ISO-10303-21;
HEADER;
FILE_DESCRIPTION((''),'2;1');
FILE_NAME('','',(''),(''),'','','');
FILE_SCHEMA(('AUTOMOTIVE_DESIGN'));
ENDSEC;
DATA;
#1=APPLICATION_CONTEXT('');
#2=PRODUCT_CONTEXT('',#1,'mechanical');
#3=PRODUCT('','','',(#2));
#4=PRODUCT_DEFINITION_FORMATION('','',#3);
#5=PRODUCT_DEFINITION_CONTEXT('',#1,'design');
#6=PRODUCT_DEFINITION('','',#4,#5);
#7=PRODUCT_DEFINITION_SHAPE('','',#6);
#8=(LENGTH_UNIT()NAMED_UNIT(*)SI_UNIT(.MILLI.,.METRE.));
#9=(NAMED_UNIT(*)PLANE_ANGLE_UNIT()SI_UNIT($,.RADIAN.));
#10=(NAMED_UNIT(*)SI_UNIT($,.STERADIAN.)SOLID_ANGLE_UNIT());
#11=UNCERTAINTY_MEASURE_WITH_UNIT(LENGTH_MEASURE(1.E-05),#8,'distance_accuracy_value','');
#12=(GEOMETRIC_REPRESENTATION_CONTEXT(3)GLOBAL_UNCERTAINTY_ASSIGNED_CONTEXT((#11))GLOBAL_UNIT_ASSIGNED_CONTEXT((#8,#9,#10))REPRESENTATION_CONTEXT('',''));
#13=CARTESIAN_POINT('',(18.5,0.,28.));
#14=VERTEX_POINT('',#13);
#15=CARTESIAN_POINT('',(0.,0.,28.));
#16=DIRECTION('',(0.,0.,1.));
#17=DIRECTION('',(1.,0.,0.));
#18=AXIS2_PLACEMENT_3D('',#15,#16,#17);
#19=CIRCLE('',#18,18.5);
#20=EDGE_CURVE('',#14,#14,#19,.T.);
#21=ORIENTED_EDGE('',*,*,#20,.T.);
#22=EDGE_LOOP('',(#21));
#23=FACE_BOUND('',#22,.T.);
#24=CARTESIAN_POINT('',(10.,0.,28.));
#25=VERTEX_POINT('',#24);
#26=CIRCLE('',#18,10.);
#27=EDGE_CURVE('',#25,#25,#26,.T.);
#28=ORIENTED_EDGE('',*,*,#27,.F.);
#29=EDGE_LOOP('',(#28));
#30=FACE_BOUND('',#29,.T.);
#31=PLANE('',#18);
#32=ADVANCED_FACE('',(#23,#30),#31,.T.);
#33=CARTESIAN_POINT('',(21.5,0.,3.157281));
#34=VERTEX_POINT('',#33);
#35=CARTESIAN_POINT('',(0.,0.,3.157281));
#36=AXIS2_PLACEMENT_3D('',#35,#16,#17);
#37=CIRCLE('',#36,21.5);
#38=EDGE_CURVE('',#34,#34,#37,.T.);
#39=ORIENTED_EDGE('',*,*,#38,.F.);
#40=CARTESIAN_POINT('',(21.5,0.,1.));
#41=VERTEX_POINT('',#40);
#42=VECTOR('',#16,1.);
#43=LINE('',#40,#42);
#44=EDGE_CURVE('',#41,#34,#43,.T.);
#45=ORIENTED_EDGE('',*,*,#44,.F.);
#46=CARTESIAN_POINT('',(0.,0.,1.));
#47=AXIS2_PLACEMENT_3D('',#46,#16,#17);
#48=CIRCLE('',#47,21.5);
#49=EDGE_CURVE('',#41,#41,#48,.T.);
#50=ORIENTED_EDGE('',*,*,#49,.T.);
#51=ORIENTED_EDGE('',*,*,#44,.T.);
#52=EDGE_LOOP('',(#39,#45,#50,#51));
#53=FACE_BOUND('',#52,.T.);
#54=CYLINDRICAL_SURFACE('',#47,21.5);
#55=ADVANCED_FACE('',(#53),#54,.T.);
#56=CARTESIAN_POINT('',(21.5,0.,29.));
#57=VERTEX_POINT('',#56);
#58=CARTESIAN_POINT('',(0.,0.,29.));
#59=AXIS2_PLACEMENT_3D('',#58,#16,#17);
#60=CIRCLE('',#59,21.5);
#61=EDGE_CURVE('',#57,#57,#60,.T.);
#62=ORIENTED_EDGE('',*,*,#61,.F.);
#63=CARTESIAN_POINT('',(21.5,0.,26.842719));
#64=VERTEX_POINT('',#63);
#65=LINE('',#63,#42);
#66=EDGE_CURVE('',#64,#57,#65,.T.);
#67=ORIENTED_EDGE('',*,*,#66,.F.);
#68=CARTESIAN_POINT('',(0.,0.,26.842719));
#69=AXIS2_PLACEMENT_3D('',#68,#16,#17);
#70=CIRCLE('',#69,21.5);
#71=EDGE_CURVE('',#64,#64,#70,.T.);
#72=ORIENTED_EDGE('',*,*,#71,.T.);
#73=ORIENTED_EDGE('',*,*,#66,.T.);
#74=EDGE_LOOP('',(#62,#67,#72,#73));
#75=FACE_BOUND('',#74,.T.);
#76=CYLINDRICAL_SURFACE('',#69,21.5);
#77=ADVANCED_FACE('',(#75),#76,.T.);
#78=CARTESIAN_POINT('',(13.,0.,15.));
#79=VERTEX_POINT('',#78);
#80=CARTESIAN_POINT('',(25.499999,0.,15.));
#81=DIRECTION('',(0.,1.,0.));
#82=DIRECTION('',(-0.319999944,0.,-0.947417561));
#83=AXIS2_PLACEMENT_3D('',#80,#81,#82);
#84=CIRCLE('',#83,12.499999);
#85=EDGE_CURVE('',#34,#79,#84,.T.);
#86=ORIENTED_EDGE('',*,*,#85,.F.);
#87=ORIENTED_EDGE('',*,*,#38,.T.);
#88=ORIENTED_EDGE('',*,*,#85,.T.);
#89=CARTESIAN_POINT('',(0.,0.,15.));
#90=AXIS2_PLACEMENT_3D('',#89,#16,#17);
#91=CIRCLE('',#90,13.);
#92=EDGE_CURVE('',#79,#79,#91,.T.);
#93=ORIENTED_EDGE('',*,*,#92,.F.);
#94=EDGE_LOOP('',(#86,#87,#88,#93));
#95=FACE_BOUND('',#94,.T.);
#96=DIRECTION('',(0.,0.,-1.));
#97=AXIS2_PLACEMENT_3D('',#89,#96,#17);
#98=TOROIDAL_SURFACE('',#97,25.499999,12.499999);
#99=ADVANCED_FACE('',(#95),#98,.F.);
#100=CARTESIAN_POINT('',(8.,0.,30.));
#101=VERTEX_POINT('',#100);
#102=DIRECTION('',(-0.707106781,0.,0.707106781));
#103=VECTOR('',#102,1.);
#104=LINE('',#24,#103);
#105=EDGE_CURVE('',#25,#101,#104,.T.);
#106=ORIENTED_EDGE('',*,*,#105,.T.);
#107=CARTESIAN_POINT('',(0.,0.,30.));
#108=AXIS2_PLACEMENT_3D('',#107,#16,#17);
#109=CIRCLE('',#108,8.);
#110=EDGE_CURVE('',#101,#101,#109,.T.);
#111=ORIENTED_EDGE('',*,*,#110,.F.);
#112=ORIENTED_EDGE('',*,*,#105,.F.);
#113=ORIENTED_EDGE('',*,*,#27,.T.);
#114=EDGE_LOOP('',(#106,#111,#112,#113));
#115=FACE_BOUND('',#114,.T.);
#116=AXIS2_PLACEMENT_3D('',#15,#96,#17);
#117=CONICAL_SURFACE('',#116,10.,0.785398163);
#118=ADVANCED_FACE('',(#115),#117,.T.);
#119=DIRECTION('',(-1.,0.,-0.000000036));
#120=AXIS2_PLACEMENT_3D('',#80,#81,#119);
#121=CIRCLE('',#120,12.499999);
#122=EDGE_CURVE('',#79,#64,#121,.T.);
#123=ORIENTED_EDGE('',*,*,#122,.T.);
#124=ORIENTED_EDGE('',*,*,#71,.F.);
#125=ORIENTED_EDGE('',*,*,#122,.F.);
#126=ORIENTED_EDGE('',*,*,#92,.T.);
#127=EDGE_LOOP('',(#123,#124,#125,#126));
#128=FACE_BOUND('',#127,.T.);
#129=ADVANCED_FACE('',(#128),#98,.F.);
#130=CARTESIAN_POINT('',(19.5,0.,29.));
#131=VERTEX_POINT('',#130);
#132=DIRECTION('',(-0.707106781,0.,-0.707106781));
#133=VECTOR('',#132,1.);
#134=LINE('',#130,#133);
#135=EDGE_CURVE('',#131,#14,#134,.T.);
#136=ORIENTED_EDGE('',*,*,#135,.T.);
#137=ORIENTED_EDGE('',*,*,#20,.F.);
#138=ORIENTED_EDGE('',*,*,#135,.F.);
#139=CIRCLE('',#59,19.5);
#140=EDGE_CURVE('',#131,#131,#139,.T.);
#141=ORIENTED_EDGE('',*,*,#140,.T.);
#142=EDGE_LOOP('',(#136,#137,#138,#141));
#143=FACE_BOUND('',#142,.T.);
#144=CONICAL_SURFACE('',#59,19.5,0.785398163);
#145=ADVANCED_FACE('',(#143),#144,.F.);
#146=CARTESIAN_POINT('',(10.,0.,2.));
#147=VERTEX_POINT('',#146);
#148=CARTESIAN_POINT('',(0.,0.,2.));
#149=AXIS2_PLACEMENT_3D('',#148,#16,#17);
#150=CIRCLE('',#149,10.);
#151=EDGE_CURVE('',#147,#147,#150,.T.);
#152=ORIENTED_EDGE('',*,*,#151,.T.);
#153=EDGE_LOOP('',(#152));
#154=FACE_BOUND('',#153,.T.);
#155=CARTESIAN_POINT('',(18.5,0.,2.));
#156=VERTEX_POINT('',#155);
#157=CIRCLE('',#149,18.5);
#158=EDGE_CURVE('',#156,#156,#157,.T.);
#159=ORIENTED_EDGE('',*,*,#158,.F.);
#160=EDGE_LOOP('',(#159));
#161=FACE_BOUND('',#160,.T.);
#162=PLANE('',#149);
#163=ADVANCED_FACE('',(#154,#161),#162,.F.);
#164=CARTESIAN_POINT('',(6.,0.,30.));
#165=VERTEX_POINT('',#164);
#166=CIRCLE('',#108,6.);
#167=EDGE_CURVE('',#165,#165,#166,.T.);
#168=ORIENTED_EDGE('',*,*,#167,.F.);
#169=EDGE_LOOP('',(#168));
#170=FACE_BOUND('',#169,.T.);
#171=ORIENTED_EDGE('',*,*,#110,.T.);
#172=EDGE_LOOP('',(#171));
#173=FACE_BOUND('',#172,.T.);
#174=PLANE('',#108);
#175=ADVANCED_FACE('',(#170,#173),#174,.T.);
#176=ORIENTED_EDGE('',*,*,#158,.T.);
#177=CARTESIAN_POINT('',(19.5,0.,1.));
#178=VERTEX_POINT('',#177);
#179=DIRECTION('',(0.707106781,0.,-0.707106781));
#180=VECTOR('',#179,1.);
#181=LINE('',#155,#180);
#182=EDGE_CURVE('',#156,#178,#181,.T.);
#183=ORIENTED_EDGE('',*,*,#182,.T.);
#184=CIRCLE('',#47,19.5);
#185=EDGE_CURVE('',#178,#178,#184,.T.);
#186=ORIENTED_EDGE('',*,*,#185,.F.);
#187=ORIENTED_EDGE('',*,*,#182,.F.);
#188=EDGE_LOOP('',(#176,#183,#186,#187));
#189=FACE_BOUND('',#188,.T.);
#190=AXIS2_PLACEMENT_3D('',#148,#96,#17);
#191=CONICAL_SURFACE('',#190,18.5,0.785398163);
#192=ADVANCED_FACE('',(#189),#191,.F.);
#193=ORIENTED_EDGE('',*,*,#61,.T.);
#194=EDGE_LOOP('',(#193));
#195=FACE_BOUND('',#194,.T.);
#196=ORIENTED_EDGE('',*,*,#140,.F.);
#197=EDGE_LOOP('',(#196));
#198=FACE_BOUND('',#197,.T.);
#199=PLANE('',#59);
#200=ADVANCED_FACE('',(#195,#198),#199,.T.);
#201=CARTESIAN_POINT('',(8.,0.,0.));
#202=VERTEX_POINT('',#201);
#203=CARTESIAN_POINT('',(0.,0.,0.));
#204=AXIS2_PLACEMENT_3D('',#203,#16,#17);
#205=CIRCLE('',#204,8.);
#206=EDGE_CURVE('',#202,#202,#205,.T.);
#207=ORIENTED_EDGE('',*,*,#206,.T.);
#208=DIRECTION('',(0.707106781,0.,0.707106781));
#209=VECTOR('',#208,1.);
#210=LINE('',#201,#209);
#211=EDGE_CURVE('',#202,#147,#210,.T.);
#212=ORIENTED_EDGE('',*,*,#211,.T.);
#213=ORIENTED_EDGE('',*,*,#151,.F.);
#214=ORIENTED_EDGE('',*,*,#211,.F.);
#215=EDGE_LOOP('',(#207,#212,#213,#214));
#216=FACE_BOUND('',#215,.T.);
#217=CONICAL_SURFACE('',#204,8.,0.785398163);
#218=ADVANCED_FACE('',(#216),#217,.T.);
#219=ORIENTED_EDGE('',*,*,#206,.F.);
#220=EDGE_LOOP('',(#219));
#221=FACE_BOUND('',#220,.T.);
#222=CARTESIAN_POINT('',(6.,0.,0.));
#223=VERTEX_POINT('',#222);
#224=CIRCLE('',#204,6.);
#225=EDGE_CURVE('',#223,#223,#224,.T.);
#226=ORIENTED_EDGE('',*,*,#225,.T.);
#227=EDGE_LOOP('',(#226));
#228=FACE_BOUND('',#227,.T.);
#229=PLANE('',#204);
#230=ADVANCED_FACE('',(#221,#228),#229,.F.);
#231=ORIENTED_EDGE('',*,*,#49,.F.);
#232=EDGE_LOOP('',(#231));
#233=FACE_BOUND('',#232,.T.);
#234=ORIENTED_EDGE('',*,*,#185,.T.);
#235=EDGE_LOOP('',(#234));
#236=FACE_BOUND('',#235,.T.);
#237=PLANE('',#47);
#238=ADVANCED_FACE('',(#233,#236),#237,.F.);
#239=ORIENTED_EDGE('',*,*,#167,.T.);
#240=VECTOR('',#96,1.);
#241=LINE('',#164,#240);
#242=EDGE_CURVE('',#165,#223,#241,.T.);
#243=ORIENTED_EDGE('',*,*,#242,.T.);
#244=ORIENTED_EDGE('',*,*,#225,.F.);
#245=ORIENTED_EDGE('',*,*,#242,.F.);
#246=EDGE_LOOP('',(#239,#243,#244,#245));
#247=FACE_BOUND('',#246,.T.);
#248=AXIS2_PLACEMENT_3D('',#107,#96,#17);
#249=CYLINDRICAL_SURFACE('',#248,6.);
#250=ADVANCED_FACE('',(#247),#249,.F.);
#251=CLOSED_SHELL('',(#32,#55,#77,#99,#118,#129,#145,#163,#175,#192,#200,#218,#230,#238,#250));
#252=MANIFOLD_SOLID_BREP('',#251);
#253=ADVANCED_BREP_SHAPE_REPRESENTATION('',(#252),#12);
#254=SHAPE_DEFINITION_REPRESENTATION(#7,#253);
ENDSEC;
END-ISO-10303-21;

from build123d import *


with BuildPart() as f1:
    # F0 (on Front) → F1 (revolve)
    with BuildSketch(Plane.XZ):
        with BuildLine():
            Line((8, 30), (6, 30))
            Line((6, 30), (6, 0))
            Line((6, 0), (8, 0))
            Line((8, 0), (10, 2))
            Line((10, 2), (18.5, 2))
            Line((18.5, 2), (19.5, 1))
            Line((19.5, 1), (21.5, 1))
            Line((21.5, 1), (21.5, 3.157281))
            ThreePointArc((21.5, 3.157281), (15.344952, 7.71131), (13, 15))
            ThreePointArc((13, 15), (15.344952, 22.28869), (21.5, 26.842719))
            Line((21.5, 26.842719), (21.5, 29))
            Line((21.5, 29), (19.5, 29))
            Line((19.5, 29), (18.5, 28))
            Line((18.5, 28), (10, 28))
            Line((10, 28), (8, 30))
        make_face()
    revolve(axis=Axis((0, 0, 22.736409), (0, 0, 1)))


solid = f1.part
